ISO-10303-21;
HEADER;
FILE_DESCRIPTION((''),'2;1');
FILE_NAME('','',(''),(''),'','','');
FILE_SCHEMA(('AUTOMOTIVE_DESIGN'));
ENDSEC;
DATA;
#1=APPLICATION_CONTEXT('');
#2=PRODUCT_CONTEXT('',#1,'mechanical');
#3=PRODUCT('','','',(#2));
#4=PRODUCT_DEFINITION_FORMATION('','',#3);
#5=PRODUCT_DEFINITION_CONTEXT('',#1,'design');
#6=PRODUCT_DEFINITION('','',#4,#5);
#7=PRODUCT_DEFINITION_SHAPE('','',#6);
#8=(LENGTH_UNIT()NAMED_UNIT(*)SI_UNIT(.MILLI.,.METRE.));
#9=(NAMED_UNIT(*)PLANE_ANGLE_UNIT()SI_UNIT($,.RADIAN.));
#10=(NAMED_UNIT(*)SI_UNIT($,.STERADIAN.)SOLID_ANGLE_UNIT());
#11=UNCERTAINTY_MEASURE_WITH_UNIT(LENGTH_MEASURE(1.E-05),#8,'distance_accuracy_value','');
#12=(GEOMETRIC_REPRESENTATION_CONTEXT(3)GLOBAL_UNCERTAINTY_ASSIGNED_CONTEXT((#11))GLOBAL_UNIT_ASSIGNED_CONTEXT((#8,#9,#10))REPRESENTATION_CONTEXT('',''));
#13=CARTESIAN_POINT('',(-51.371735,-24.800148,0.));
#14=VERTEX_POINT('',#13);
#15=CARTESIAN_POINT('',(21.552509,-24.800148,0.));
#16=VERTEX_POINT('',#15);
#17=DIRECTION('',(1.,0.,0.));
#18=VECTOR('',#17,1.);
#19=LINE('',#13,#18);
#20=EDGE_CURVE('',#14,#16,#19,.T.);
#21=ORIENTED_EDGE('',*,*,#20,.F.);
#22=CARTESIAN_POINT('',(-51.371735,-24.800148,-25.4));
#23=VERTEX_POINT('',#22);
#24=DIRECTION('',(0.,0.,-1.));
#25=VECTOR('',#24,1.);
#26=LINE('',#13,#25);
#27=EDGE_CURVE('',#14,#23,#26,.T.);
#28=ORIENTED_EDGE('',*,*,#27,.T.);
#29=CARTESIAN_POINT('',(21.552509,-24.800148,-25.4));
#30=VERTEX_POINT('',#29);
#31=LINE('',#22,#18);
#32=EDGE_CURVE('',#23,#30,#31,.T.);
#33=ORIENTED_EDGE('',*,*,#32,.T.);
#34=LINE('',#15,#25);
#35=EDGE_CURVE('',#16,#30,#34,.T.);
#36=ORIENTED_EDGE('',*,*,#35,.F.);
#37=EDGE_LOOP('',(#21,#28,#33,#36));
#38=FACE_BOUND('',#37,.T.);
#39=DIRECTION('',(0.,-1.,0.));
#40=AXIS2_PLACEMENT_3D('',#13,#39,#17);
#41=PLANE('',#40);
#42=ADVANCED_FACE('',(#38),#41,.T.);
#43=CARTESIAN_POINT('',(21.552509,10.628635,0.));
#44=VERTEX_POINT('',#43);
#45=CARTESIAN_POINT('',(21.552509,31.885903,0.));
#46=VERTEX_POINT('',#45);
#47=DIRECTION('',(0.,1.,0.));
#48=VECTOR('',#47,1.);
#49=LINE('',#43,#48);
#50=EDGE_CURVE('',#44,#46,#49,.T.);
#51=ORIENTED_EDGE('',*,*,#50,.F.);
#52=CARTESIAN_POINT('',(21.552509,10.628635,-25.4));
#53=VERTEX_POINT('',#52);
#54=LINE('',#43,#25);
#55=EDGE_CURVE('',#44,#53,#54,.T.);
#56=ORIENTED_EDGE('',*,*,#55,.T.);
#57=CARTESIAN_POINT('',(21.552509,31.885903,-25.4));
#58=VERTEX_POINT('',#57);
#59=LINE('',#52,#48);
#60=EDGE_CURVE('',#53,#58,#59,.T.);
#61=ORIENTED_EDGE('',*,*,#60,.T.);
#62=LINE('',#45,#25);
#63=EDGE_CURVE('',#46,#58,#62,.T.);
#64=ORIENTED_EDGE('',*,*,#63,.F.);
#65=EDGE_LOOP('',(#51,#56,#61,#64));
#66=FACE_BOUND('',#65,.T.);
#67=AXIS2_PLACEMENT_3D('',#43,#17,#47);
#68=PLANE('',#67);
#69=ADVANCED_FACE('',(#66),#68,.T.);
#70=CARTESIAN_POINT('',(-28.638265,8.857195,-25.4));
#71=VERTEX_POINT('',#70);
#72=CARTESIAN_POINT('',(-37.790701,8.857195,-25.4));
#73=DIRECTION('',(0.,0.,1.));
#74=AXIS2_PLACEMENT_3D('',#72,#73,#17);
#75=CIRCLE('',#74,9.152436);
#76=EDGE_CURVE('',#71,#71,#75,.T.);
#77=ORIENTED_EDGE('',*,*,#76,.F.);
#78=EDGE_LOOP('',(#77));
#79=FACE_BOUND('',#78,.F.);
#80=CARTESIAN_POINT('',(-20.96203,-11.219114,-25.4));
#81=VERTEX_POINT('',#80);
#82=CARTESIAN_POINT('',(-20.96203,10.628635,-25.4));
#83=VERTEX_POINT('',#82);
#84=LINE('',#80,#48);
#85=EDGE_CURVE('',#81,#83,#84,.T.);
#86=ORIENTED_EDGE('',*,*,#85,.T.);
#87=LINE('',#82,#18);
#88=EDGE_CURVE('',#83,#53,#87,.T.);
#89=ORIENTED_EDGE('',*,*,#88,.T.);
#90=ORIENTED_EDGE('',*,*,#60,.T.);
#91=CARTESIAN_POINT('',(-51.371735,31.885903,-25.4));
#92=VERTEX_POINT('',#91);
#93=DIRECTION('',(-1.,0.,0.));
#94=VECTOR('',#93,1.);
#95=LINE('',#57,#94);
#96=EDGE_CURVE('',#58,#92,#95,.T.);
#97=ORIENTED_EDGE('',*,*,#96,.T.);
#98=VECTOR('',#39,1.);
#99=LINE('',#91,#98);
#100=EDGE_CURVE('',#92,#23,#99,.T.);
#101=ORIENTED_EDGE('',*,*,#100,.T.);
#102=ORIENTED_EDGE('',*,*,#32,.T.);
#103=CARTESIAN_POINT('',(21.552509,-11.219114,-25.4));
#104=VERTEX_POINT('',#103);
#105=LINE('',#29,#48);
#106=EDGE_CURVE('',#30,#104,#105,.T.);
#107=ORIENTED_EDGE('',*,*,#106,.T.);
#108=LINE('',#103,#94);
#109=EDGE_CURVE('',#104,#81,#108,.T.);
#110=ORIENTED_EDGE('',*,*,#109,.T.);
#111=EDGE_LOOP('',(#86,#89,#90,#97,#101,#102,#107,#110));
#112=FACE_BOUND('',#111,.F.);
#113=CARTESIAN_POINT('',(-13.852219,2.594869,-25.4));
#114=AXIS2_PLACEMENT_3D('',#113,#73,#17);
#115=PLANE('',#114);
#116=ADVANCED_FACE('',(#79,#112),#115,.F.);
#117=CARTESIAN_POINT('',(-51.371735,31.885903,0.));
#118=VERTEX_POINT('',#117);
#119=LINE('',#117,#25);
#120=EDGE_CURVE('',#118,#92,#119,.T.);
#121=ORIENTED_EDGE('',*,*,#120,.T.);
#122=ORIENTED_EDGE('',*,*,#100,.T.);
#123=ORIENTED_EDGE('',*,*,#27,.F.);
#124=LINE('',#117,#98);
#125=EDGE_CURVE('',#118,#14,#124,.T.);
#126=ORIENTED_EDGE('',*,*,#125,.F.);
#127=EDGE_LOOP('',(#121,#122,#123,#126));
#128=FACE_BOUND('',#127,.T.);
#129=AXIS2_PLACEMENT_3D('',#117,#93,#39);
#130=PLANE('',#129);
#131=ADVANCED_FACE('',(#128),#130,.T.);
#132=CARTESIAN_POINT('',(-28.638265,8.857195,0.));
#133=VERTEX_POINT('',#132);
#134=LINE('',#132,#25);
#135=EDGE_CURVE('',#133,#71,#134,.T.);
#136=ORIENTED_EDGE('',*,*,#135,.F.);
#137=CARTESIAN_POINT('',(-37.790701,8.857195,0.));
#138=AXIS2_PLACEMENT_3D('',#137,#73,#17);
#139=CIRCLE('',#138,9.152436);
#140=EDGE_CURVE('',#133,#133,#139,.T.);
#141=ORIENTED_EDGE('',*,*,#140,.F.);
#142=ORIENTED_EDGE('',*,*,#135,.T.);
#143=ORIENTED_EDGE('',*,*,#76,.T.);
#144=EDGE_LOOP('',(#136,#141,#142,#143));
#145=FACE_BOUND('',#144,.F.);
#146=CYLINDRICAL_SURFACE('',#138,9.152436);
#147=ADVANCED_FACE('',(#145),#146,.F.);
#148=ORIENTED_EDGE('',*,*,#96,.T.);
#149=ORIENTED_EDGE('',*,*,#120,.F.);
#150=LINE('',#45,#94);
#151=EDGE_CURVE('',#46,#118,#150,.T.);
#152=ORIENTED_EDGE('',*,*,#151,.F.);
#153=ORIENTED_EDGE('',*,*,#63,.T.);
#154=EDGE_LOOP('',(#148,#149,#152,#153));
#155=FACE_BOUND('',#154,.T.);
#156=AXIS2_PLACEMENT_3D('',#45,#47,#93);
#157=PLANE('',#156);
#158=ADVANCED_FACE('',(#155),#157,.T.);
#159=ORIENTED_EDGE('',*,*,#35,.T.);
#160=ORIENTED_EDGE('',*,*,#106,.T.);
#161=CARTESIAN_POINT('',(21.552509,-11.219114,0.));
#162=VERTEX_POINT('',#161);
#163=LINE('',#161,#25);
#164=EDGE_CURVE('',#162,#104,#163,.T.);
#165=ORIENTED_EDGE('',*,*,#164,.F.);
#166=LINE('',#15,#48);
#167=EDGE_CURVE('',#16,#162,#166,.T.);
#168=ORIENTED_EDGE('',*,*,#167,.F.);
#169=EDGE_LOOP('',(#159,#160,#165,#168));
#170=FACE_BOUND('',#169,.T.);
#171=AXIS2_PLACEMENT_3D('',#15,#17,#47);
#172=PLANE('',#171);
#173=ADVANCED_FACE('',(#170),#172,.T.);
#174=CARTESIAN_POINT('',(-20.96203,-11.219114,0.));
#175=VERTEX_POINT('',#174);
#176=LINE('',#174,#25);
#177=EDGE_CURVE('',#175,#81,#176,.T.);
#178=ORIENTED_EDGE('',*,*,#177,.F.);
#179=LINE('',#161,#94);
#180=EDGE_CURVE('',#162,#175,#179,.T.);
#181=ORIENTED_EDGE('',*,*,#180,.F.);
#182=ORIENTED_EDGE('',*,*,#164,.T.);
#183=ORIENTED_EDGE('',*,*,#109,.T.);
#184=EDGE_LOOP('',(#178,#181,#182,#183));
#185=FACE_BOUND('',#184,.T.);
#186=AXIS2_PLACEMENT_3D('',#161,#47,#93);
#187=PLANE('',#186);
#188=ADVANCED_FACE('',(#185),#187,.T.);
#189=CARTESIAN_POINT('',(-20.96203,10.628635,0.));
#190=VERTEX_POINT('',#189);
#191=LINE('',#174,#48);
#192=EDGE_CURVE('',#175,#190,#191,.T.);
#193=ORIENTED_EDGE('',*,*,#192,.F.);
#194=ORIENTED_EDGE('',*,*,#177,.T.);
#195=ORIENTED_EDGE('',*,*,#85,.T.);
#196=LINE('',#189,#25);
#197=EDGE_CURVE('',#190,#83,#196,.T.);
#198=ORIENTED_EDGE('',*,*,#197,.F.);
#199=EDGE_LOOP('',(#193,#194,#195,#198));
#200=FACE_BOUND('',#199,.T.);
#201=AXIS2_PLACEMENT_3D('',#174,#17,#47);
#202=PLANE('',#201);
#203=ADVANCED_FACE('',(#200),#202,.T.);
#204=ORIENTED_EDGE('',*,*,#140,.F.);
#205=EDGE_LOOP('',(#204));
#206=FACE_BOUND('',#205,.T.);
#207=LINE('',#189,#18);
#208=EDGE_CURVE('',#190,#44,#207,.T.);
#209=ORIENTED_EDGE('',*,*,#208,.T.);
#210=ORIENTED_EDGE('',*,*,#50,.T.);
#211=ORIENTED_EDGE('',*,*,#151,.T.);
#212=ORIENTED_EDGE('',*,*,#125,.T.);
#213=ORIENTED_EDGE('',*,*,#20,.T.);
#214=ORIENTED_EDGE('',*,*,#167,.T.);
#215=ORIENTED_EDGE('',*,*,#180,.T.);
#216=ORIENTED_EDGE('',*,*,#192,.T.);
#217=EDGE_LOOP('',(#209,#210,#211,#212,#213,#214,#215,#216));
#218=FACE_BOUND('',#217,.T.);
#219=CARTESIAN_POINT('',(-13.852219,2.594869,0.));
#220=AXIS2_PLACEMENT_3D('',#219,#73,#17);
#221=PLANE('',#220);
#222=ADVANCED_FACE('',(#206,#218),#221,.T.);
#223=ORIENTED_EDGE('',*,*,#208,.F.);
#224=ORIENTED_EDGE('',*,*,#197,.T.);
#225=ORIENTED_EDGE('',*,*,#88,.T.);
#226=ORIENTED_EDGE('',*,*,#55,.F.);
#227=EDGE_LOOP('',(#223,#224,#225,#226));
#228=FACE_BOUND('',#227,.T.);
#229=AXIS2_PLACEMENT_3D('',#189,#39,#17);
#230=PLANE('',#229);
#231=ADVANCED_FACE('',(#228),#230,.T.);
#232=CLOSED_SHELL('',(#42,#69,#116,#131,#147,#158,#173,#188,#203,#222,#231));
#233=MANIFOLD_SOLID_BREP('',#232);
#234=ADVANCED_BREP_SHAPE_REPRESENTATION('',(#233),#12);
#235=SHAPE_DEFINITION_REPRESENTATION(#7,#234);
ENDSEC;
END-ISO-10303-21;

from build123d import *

# Parameters (mm, degrees)
F0_R     = 9.152436
F1_DEPTH = 25.4


with BuildPart() as f1:
    # F0 (on Top) → F1 (new body)
    with BuildSketch(Plane.XY):
        Polygon((21.552509, 31.885903), (-51.371735, 31.885903), (-51.371735, -24.800148), (21.552509, -24.800148), (21.552509, -11.219114), (-20.96203, -11.219114), (-20.96203, 10.628635), (21.552509, 10.628635), align=None)
        with Locations((-37.790701, 8.857195)):
            Circle(F0_R, mode=Mode.SUBTRACT)
    extrude(amount=-F1_DEPTH)


solid = f1.part
